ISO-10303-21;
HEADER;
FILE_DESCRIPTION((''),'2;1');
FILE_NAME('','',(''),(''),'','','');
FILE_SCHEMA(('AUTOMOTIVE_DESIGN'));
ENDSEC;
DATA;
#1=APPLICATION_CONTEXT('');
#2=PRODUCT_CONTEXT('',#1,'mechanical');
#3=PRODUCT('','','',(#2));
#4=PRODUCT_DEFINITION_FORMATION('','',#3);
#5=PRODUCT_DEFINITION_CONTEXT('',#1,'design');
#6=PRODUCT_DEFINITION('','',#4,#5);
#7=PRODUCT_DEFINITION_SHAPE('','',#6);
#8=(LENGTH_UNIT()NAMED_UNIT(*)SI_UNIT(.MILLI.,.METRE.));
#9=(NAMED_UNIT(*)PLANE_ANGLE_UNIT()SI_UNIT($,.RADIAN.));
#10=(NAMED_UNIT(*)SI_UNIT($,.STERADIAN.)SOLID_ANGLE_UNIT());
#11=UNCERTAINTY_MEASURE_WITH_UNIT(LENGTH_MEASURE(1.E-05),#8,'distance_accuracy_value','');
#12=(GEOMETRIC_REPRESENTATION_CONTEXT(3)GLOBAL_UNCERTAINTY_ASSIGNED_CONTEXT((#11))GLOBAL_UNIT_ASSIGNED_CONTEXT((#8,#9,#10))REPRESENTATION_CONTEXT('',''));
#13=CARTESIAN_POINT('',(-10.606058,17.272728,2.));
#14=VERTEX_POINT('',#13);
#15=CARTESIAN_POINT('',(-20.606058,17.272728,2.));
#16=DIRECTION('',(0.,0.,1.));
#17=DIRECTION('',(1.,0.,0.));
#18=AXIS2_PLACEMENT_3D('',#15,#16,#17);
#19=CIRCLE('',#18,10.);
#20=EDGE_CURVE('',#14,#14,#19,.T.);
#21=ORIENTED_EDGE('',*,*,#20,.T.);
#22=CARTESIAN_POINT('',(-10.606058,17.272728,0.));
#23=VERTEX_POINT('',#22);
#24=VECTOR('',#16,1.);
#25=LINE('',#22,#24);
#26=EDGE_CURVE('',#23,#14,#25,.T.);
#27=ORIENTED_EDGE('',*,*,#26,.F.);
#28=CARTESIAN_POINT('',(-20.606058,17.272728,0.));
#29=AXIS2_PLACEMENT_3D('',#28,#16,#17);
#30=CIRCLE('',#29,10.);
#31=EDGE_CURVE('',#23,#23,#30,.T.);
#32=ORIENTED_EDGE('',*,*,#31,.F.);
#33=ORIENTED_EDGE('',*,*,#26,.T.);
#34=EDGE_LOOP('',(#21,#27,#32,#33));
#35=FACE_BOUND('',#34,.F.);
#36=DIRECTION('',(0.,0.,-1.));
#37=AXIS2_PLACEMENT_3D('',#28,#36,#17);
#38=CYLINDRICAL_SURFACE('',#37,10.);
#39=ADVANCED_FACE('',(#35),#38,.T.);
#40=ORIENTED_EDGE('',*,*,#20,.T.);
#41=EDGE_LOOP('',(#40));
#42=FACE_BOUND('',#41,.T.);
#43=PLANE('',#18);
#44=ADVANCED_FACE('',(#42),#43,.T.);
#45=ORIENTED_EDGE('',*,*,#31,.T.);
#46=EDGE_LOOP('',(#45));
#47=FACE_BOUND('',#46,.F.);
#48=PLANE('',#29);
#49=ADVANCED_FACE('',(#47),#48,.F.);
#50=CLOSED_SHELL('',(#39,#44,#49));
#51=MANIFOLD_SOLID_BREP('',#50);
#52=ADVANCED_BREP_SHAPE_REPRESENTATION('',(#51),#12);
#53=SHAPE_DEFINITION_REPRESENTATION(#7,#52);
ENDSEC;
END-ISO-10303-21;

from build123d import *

# Parameters (mm, degrees)
SKETCH_R  = 10
PAD_DEPTH = 2


with BuildPart() as part:
    # Sketch → Pad (new body)
    with BuildSketch(Plane.XY):
        with Locations((-20.606058, 17.272728)):
            Circle(SKETCH_R)
    extrude(amount=PAD_DEPTH)


solid = part.part
